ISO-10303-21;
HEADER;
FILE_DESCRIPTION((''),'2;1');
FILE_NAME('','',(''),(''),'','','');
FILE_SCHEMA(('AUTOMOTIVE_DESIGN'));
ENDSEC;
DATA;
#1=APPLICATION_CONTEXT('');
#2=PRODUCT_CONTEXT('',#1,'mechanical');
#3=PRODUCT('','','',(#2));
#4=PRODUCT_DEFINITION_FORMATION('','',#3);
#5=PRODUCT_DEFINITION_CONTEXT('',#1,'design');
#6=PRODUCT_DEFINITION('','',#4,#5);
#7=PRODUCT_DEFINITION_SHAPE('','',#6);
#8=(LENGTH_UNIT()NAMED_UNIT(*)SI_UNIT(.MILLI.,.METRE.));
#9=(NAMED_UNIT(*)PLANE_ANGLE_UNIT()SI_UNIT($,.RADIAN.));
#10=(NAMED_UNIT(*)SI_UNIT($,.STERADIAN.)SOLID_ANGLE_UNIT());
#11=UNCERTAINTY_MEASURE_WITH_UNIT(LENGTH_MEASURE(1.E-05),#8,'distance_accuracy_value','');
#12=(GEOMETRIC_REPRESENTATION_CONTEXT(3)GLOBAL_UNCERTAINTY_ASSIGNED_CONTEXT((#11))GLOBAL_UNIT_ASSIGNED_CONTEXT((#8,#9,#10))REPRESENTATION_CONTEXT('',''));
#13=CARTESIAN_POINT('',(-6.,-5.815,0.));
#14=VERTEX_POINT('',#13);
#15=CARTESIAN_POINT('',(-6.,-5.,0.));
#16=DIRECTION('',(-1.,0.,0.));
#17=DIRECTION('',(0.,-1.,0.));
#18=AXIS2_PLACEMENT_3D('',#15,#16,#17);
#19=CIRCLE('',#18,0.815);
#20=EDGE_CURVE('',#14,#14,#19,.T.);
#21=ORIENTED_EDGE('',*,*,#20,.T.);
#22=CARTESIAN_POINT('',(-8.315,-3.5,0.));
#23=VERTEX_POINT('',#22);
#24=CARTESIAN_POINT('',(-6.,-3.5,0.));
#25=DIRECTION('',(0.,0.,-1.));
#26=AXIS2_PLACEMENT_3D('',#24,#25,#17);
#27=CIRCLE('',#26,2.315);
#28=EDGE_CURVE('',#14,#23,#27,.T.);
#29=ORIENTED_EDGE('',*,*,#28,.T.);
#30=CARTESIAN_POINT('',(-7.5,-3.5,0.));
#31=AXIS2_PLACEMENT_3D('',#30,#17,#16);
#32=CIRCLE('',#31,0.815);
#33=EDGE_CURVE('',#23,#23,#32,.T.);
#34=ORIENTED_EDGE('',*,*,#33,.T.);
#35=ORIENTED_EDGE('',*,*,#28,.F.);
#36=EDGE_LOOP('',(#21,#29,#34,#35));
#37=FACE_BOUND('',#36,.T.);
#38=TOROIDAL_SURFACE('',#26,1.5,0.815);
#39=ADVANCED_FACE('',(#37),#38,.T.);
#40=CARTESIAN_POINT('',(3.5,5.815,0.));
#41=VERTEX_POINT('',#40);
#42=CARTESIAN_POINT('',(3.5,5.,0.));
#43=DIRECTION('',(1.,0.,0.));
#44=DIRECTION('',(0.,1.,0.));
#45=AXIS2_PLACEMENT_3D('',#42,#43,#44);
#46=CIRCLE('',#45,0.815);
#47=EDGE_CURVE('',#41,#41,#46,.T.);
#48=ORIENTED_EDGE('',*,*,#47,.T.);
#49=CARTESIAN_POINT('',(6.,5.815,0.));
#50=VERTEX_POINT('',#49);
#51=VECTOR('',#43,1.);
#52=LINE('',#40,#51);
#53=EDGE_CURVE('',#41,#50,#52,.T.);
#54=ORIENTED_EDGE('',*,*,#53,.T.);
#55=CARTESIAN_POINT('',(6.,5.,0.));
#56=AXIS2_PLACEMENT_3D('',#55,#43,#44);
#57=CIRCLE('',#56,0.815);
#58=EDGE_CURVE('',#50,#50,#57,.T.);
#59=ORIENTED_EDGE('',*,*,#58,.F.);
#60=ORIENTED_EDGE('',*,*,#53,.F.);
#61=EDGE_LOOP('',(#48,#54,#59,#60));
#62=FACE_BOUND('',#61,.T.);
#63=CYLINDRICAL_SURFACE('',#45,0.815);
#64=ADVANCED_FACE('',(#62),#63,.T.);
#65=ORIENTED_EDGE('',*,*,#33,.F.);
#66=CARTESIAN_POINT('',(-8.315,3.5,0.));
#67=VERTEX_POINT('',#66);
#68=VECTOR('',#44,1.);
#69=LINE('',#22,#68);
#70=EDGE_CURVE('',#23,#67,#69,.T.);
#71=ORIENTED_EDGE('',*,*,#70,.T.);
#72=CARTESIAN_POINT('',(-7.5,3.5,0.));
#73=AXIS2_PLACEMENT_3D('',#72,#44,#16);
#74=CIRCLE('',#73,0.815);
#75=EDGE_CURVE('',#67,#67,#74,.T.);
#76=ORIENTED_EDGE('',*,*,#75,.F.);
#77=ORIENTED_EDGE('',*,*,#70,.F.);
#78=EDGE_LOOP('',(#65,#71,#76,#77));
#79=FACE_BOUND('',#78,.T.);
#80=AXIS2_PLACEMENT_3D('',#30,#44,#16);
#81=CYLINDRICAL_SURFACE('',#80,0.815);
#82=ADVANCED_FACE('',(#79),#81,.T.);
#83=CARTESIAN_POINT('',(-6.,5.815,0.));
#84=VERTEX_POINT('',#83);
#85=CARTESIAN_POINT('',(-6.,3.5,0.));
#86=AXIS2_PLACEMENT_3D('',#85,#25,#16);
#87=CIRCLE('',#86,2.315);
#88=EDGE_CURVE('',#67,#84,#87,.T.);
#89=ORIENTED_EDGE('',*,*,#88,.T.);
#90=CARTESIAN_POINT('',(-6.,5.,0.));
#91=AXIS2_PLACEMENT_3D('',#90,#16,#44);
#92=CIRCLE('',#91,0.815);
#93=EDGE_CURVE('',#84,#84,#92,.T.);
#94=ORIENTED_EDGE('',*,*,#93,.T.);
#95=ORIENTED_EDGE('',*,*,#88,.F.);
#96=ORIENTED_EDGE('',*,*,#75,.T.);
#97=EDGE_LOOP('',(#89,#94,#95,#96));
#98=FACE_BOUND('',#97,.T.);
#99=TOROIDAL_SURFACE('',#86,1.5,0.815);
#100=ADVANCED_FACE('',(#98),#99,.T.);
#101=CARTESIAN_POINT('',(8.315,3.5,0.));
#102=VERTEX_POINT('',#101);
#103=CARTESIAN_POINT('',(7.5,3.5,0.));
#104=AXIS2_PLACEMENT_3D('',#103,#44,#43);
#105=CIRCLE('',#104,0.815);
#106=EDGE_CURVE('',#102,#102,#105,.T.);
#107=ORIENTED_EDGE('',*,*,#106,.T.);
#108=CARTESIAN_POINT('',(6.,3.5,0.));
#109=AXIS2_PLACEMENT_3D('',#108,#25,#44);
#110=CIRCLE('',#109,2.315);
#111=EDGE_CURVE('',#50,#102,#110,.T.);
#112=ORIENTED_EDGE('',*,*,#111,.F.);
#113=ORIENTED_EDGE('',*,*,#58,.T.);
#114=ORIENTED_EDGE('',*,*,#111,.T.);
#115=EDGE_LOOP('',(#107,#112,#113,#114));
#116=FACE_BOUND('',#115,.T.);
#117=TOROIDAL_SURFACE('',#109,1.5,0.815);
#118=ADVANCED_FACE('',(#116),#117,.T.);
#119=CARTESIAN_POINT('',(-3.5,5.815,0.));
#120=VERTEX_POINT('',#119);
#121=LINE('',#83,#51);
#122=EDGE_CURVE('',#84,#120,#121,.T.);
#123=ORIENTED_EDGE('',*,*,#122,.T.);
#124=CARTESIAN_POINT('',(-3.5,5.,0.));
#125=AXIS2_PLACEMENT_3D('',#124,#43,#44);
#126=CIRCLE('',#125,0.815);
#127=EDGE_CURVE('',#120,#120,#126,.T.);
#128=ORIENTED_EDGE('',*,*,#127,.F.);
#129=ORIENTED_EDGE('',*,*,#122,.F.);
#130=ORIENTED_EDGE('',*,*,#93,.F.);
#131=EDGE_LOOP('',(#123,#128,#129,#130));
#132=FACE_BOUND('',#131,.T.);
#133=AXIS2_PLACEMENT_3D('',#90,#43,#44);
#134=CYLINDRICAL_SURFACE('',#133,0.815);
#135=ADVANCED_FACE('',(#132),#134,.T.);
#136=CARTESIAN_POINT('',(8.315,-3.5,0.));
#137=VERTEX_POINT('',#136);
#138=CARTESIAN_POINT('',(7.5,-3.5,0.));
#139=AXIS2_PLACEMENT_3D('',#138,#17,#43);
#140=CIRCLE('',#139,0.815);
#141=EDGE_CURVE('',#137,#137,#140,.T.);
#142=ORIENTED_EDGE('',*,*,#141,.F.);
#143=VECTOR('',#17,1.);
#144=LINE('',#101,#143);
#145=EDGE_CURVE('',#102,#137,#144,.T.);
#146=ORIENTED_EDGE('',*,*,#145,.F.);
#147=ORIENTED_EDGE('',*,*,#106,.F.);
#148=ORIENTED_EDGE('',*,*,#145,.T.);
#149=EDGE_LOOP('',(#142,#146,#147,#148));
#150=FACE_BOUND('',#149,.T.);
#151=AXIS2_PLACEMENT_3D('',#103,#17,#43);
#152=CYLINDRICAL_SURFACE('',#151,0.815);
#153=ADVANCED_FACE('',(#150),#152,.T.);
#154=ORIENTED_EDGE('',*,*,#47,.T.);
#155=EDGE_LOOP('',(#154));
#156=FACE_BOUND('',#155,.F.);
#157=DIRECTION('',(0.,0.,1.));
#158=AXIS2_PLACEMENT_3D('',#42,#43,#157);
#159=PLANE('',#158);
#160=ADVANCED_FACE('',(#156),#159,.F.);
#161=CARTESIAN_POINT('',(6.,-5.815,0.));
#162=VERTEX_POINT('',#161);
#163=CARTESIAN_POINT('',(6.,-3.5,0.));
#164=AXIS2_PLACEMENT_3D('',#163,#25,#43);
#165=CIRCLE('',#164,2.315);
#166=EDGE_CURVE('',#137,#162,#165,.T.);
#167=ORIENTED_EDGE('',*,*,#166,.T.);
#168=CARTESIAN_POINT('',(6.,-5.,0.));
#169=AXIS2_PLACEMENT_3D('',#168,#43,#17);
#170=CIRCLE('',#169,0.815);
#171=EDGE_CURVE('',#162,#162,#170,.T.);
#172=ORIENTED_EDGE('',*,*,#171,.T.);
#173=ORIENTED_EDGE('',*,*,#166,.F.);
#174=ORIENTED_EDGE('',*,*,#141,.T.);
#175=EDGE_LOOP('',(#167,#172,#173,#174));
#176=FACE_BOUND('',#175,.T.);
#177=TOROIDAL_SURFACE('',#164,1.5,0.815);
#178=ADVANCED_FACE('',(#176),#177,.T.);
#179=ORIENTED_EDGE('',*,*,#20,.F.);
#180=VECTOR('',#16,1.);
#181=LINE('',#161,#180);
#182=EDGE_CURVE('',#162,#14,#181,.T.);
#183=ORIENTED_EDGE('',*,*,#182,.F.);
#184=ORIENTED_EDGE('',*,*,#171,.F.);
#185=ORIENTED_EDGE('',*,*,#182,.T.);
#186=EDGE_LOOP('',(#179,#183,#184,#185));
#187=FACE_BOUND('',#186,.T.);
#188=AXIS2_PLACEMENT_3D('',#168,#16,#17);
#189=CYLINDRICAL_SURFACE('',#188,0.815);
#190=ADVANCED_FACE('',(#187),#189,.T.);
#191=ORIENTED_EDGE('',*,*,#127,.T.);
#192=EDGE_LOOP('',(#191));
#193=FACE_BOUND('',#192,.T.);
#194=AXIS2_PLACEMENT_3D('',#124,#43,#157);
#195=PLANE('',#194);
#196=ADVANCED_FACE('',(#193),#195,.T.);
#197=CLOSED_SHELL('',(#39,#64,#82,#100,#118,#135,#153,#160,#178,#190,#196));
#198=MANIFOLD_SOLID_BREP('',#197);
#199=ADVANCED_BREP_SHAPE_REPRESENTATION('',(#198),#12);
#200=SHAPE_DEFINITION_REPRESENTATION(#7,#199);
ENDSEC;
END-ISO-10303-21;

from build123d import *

# Parameters (mm, degrees)
F3_R = 0.815


with BuildPart() as f4:
    # F4: sweep along a path in F1
    with BuildLine(Plane.XY) as f4_path:
        Line((3.5, 5), (6, 5))
        ThreePointArc((6, 5), (7.0606601718, 4.5606601718), (7.5, 3.5))
        Line((7.5, 3.5), (7.5, -3.5))
        ThreePointArc((7.5, -3.5), (7.0606601718, -4.5606601718), (6, -5))
        Line((6, -5), (0, -5))
        Line((0, -5), (-6, -5))
        ThreePointArc((-6, -5), (-7.0606601718, -4.5606601718), (-7.5, -3.5))
        Line((-7.5, -3.5), (-7.5, 3.5))
        ThreePointArc((-7.5, 3.5), (-7.0606601718, 4.5606601718), (-6, 5))
        Line((-6, 5), (-3.5, 5))
    # F3 (on offset) → F4 (sweep)
    with BuildSketch(Plane.YZ.offset(3.5)):
        with Locations((5, 0)):
            Circle(F3_R)
    sweep(path=f4_path.line)


solid = f4.part
